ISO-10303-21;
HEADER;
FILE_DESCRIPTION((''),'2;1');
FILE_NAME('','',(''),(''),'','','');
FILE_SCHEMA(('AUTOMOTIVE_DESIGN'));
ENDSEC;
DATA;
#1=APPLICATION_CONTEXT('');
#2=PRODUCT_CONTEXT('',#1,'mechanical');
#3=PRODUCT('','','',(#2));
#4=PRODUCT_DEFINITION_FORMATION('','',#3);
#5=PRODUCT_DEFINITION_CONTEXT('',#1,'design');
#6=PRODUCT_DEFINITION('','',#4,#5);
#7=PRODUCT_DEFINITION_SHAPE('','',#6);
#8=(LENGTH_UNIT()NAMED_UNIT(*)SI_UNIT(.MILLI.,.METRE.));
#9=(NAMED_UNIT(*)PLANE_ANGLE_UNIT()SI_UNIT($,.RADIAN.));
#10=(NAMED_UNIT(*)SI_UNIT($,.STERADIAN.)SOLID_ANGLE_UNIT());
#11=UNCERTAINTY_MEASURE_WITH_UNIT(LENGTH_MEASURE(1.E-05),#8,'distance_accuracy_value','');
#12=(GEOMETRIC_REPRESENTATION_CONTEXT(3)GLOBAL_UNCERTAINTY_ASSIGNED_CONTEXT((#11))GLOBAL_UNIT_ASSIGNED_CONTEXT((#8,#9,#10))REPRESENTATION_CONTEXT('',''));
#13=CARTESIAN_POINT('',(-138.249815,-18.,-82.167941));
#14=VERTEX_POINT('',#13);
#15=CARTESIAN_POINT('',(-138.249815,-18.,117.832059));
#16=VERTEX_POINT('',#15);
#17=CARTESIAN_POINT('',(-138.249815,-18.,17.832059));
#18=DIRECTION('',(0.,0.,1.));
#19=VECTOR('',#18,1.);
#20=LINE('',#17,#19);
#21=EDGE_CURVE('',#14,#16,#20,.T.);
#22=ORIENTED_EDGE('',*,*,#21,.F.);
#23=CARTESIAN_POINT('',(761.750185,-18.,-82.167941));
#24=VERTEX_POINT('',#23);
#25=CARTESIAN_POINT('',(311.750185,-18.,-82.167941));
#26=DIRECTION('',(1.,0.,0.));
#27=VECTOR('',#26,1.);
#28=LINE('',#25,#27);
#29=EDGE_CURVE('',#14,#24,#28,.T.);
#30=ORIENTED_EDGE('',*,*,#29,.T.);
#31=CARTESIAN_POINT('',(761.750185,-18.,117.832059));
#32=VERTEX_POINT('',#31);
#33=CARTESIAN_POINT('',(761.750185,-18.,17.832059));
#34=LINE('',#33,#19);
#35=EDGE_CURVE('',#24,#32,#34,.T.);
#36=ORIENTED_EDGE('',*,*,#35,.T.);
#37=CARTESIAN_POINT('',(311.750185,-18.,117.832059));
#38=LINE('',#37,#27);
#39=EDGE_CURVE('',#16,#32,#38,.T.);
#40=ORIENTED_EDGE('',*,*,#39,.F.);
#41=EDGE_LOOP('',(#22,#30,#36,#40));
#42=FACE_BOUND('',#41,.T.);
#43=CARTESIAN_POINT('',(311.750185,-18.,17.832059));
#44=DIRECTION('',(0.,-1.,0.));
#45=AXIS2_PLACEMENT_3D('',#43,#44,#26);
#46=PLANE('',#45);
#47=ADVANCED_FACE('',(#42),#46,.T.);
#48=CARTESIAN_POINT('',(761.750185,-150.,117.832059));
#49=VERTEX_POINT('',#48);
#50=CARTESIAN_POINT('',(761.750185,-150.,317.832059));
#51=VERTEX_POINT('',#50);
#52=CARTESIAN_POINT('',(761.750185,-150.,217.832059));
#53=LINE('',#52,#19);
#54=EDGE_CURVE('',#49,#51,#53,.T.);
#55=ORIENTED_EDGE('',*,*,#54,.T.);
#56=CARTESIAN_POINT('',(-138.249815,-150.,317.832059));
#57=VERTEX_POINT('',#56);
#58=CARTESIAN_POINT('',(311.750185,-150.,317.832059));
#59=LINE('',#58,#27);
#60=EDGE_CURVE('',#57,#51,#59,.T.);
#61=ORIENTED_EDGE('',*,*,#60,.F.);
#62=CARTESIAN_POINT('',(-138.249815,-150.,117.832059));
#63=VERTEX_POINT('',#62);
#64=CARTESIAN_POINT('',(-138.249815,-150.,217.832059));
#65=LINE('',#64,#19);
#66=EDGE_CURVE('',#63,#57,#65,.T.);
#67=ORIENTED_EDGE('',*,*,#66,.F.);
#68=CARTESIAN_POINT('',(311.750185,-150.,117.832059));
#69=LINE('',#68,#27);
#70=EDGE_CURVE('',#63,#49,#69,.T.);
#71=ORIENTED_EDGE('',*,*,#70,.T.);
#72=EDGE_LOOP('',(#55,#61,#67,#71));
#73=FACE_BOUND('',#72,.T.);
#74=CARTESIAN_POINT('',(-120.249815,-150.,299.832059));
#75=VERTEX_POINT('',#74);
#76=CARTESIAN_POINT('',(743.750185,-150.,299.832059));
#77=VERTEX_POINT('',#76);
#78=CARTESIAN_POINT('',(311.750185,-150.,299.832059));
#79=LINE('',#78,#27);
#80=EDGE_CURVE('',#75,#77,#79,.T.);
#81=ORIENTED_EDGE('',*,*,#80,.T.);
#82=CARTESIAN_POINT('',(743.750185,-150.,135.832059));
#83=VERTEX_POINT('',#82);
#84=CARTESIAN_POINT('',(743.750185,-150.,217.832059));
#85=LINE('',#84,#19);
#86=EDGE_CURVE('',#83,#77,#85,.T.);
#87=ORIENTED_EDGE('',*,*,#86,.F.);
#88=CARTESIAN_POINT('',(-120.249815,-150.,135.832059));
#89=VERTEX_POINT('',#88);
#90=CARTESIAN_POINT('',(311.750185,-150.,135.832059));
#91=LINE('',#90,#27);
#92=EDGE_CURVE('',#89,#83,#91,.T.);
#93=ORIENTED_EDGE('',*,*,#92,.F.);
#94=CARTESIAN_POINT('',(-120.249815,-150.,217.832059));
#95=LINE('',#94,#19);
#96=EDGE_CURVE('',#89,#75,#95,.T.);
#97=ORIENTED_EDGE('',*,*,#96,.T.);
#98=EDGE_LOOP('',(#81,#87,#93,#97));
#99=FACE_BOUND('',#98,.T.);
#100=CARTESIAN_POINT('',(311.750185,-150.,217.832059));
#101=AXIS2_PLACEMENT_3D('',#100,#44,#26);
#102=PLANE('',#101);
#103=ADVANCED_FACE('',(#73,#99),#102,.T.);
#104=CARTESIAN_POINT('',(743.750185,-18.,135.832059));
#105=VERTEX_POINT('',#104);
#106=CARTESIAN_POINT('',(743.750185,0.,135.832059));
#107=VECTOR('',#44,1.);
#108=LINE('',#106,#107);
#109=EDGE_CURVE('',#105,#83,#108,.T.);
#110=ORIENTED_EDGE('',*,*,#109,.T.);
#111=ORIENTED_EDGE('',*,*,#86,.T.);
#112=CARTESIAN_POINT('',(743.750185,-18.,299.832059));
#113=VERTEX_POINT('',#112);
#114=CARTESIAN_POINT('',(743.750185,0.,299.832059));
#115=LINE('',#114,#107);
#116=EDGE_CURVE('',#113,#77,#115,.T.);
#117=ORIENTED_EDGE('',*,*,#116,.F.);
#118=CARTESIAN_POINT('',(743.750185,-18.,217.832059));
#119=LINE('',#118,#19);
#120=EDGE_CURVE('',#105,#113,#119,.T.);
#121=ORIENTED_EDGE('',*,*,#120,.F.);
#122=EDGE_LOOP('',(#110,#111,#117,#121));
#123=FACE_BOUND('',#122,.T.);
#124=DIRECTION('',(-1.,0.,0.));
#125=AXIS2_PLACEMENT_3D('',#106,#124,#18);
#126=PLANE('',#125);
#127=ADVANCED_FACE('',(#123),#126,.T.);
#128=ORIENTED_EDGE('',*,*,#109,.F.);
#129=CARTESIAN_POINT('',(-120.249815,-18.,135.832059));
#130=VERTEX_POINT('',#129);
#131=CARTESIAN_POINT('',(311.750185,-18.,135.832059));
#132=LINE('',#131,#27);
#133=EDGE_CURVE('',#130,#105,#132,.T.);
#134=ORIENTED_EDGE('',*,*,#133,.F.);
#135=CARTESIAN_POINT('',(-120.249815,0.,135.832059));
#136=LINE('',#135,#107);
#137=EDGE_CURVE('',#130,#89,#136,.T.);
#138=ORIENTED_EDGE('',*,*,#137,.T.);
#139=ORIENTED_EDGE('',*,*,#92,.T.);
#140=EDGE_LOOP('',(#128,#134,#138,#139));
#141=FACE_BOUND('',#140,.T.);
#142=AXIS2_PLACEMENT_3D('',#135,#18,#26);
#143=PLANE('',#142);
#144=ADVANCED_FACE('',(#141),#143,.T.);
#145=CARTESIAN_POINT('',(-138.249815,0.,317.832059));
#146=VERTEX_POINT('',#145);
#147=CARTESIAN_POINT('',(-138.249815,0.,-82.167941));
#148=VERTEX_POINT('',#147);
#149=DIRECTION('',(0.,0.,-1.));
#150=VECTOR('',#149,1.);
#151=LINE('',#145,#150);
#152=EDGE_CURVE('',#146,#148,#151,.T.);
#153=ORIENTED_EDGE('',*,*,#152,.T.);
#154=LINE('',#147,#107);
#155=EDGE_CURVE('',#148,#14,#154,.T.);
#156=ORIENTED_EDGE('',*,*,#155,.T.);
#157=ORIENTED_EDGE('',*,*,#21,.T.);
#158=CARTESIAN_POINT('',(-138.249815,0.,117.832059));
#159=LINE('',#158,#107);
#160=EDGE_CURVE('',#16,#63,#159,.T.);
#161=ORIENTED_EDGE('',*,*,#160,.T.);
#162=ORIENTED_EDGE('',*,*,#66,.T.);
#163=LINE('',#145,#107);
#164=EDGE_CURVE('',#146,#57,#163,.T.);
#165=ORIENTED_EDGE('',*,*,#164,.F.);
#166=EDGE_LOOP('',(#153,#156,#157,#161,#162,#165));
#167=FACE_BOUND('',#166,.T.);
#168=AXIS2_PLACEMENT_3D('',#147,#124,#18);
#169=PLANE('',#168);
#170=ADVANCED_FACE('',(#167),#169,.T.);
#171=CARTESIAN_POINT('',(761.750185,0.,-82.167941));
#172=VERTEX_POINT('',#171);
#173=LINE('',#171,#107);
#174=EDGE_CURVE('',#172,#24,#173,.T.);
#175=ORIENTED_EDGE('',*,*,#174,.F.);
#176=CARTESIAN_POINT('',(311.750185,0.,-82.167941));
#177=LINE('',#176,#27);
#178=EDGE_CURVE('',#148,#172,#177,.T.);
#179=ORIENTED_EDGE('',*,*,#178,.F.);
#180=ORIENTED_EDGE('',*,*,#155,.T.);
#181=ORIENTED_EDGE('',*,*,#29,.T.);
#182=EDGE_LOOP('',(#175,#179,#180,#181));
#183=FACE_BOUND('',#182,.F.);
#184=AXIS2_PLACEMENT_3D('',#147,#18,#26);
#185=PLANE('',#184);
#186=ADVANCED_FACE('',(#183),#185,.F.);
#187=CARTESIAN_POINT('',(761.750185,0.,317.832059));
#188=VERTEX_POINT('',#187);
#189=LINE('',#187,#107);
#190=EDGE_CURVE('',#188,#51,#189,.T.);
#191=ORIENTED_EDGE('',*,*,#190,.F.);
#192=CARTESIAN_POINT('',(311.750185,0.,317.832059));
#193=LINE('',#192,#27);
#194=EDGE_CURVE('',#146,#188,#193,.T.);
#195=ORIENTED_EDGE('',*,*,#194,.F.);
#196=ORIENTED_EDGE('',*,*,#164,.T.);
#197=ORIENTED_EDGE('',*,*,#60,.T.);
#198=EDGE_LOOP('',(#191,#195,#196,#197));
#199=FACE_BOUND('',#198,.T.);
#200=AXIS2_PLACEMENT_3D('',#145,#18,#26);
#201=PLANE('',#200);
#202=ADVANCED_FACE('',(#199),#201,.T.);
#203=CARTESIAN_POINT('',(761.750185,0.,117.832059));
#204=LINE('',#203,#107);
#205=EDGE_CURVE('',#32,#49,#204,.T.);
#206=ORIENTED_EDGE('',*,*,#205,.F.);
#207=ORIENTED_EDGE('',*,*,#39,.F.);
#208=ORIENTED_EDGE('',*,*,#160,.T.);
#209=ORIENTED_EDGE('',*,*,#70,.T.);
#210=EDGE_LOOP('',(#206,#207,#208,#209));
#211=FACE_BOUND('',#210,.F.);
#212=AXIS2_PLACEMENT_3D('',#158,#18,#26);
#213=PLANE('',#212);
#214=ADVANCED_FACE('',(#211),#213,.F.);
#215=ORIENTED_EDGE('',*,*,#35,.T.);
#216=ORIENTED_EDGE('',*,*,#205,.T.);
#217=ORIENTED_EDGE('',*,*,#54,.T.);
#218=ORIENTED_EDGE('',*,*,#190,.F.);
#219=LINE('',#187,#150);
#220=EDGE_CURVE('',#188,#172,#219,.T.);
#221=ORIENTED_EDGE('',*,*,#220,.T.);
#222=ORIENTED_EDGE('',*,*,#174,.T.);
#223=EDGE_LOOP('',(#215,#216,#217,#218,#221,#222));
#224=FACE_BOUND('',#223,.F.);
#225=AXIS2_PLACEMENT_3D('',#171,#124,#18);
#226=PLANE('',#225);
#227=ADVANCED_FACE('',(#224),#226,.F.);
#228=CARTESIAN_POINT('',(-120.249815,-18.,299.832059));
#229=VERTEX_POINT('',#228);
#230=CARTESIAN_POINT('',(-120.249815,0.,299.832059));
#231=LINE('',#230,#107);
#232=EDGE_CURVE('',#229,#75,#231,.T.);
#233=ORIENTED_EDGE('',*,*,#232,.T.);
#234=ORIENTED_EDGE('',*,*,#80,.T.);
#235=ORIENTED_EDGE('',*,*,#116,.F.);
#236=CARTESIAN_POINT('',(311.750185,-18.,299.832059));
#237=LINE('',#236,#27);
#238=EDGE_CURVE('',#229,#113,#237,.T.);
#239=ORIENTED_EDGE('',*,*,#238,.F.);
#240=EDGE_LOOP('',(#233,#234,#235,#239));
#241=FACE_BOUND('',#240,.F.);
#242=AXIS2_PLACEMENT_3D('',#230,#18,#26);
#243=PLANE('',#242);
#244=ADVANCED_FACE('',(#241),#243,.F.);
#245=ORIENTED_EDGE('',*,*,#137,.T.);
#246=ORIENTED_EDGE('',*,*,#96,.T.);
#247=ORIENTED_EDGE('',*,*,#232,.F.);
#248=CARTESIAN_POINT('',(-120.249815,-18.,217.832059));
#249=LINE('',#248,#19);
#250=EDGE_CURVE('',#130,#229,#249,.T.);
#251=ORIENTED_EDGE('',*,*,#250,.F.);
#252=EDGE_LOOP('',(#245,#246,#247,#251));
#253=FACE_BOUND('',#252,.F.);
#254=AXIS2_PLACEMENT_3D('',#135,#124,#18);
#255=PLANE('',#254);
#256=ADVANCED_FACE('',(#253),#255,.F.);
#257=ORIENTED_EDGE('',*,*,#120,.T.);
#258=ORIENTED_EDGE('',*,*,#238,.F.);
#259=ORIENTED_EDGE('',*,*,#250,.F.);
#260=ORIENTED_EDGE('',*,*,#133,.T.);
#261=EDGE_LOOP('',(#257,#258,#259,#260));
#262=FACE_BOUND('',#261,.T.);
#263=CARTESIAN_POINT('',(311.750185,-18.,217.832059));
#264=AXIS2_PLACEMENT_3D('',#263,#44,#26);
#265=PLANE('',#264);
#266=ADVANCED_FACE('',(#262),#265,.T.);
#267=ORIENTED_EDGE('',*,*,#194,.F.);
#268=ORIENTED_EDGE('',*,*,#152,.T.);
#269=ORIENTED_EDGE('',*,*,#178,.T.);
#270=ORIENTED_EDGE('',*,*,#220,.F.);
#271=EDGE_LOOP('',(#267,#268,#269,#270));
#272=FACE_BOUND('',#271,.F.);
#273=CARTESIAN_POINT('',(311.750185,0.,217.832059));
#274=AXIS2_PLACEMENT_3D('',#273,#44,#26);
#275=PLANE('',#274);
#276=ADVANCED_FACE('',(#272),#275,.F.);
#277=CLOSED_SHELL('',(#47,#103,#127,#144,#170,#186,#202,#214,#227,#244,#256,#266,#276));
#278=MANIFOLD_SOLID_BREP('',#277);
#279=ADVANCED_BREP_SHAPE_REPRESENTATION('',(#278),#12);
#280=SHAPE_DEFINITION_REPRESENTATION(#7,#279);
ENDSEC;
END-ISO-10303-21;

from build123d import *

# Parameters (mm, degrees)
F0_W     = 900
F0_H     = 200
F0_W_2   = 864
F0_H_2   = 164
F1_DEPTH = 150
F2_DEPTH = 18
F3_DEPTH = 18


with BuildPart() as f1:
    # F0 (on Front) → F1 (new body)
    with BuildSketch(Plane.XZ):
        with Locations((311.750185, 217.832059)):
            Rectangle(F0_W, F0_H)
        with Locations((311.750185, 217.832059)):
            Rectangle(F0_W_2, F0_H_2, mode=Mode.SUBTRACT)
    extrude(amount=F1_DEPTH)

    # F0 (on Front) → F2 (join)
    with BuildSketch(Plane.XZ):
        with Locations((311.750185, 17.832059)):
            Rectangle(F0_W, F0_H)
    extrude(amount=F2_DEPTH)

    # F0 (on Front) → F3 (join)
    with BuildSketch(Plane.XZ):
        with Locations((311.750185, 217.832059)):
            Rectangle(F0_W_2, F0_H_2)
    extrude(amount=F3_DEPTH)


solid = f1.part
